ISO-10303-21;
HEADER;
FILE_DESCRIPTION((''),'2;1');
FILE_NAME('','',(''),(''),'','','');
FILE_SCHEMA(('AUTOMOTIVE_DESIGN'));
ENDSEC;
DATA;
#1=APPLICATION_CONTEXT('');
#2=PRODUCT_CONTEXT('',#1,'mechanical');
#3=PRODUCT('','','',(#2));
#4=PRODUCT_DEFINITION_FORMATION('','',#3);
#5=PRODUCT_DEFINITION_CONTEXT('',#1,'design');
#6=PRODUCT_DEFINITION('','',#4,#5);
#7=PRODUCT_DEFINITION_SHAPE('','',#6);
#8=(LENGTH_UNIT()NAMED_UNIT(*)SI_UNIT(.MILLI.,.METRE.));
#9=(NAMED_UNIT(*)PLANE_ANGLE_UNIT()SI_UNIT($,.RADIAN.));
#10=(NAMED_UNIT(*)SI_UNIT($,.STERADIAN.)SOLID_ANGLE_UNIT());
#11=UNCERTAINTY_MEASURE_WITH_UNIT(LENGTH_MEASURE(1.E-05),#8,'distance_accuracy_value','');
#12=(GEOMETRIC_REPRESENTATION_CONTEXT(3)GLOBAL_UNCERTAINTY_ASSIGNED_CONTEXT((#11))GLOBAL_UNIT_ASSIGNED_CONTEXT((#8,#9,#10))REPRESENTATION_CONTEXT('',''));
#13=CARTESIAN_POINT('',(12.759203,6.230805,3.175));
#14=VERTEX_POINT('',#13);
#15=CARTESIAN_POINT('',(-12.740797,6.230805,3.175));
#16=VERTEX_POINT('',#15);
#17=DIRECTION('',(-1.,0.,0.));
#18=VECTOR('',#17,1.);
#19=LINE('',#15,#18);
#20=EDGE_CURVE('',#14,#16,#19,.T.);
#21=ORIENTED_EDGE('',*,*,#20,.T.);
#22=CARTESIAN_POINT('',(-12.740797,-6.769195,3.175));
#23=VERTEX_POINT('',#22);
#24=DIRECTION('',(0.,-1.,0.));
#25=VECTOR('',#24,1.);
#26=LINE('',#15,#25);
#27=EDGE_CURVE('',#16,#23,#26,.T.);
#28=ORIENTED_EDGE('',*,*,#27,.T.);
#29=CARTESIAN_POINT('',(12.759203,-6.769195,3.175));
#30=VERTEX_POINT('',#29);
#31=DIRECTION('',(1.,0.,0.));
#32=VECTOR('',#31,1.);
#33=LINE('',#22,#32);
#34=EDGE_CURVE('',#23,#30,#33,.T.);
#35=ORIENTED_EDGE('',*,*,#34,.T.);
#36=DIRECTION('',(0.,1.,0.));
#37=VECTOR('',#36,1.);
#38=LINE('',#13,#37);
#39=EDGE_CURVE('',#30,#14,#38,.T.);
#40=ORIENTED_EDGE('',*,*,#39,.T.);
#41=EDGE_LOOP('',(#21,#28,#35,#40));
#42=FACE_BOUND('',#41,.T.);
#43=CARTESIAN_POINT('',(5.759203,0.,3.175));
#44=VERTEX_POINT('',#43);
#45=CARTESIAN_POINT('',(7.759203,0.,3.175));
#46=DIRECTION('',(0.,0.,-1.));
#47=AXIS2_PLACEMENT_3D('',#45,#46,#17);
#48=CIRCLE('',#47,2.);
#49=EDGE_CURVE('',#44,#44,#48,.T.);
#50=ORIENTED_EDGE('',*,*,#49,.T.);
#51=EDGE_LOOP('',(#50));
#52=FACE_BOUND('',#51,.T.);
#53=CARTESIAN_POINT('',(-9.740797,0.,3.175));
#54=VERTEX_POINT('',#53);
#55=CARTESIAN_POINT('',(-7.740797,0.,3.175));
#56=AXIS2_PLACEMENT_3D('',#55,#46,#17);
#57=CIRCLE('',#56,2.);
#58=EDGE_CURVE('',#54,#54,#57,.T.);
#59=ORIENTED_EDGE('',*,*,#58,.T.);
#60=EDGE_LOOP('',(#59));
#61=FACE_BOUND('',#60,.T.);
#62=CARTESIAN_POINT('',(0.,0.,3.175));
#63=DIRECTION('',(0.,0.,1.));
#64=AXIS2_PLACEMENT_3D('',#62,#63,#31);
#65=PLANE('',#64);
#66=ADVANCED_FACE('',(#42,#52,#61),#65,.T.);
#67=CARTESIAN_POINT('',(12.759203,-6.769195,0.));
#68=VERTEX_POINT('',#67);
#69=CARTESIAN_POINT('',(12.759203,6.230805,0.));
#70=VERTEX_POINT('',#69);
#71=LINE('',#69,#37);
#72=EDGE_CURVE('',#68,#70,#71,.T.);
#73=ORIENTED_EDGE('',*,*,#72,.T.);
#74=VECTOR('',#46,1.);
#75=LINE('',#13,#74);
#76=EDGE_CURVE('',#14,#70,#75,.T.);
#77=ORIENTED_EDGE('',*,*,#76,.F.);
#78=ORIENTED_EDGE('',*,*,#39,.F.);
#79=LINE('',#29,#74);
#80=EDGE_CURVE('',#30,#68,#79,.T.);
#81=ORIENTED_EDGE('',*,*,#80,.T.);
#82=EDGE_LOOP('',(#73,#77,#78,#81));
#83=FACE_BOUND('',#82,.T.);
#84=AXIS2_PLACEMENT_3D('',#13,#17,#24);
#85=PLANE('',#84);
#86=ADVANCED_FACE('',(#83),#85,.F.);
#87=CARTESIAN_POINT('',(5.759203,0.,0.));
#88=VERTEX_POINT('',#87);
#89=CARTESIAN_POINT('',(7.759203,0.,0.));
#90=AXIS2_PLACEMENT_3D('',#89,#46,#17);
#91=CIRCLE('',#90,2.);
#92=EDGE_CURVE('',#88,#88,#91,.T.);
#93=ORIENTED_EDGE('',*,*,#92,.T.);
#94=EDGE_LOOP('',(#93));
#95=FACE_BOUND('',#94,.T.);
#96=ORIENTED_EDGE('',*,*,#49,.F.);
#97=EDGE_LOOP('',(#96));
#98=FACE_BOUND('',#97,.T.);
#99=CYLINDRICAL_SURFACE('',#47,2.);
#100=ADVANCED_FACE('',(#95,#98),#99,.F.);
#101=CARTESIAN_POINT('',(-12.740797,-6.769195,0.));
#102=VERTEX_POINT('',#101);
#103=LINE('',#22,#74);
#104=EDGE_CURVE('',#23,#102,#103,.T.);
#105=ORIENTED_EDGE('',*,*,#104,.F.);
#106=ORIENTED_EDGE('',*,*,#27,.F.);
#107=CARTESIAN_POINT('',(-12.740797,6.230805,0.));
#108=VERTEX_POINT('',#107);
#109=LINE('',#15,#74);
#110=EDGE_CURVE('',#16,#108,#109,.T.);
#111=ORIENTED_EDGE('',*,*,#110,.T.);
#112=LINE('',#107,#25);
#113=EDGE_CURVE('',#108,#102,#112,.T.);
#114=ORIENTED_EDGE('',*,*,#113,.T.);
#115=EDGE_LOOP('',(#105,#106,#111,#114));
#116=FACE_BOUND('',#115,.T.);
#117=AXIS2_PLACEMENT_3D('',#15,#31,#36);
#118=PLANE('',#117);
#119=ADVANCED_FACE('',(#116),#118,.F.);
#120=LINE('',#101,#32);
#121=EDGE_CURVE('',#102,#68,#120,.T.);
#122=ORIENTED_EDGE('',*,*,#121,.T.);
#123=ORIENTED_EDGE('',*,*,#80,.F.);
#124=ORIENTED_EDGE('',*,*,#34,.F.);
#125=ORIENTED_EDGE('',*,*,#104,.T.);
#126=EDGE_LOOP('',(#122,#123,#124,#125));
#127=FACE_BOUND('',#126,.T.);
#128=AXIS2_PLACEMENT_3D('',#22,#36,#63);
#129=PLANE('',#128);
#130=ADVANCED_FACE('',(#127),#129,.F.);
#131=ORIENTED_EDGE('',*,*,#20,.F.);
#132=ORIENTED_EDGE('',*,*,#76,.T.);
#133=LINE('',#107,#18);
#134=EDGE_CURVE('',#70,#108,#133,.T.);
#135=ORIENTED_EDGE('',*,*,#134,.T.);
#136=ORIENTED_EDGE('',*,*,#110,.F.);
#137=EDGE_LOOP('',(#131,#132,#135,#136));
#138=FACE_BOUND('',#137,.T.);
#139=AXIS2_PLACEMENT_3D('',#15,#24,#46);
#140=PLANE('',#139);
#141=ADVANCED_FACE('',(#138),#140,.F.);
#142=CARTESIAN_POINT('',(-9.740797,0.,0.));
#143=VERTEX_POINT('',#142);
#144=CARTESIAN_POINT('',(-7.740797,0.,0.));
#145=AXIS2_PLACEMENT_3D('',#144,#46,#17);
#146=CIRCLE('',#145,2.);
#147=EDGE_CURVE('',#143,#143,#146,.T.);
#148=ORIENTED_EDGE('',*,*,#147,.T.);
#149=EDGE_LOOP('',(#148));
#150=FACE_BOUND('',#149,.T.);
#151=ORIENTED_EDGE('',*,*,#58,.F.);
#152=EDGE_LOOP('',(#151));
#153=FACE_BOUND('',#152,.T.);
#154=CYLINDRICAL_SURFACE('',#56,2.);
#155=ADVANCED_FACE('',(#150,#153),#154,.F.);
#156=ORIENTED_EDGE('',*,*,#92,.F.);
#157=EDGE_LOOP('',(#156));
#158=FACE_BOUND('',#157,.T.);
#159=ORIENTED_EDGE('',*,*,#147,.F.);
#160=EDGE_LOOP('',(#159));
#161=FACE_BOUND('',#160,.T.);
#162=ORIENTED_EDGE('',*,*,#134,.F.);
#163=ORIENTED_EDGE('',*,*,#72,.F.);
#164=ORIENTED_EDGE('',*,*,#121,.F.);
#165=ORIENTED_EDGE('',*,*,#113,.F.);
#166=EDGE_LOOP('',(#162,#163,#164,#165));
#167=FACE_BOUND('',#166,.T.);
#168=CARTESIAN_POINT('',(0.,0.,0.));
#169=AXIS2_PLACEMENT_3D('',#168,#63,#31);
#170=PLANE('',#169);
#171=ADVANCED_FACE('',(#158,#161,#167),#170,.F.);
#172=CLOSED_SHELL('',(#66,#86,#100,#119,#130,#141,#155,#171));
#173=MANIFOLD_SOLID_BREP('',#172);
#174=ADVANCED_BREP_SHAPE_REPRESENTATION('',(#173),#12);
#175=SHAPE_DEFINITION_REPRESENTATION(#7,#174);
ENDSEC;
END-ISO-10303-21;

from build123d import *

# Parameters (mm, degrees)
SKETCH1_W           = 25.5
SKETCH1_H           = 13
BOSS_EXTRUDE1_DEPTH = 3.175
SKETCH2_R           = 2
CUT_EXTRUDE1_DEPTH  = 15.788505467


with BuildPart() as part:
    # Sketch1 → Boss-Extrude1 (new body)
    with BuildSketch(Plane.XY):
        with Locations((0.009203008, -0.269195489)):
            Rectangle(SKETCH1_W, SKETCH1_H)
    extrude(amount=BOSS_EXTRUDE1_DEPTH)

    # Sketch2 → Cut-Extrude1 (cut, through all)
    with BuildSketch(Plane(origin=(0, 0, 0), x_dir=(-1, 0, 0), z_dir=(0, 0, -1))):
        with Locations((-7.759203008, 0)):
            Circle(SKETCH2_R)
        with Locations((7.740796992, 0)):
            Circle(SKETCH2_R)
    extrude(amount=-CUT_EXTRUDE1_DEPTH, mode=Mode.SUBTRACT)


solid = part.part
